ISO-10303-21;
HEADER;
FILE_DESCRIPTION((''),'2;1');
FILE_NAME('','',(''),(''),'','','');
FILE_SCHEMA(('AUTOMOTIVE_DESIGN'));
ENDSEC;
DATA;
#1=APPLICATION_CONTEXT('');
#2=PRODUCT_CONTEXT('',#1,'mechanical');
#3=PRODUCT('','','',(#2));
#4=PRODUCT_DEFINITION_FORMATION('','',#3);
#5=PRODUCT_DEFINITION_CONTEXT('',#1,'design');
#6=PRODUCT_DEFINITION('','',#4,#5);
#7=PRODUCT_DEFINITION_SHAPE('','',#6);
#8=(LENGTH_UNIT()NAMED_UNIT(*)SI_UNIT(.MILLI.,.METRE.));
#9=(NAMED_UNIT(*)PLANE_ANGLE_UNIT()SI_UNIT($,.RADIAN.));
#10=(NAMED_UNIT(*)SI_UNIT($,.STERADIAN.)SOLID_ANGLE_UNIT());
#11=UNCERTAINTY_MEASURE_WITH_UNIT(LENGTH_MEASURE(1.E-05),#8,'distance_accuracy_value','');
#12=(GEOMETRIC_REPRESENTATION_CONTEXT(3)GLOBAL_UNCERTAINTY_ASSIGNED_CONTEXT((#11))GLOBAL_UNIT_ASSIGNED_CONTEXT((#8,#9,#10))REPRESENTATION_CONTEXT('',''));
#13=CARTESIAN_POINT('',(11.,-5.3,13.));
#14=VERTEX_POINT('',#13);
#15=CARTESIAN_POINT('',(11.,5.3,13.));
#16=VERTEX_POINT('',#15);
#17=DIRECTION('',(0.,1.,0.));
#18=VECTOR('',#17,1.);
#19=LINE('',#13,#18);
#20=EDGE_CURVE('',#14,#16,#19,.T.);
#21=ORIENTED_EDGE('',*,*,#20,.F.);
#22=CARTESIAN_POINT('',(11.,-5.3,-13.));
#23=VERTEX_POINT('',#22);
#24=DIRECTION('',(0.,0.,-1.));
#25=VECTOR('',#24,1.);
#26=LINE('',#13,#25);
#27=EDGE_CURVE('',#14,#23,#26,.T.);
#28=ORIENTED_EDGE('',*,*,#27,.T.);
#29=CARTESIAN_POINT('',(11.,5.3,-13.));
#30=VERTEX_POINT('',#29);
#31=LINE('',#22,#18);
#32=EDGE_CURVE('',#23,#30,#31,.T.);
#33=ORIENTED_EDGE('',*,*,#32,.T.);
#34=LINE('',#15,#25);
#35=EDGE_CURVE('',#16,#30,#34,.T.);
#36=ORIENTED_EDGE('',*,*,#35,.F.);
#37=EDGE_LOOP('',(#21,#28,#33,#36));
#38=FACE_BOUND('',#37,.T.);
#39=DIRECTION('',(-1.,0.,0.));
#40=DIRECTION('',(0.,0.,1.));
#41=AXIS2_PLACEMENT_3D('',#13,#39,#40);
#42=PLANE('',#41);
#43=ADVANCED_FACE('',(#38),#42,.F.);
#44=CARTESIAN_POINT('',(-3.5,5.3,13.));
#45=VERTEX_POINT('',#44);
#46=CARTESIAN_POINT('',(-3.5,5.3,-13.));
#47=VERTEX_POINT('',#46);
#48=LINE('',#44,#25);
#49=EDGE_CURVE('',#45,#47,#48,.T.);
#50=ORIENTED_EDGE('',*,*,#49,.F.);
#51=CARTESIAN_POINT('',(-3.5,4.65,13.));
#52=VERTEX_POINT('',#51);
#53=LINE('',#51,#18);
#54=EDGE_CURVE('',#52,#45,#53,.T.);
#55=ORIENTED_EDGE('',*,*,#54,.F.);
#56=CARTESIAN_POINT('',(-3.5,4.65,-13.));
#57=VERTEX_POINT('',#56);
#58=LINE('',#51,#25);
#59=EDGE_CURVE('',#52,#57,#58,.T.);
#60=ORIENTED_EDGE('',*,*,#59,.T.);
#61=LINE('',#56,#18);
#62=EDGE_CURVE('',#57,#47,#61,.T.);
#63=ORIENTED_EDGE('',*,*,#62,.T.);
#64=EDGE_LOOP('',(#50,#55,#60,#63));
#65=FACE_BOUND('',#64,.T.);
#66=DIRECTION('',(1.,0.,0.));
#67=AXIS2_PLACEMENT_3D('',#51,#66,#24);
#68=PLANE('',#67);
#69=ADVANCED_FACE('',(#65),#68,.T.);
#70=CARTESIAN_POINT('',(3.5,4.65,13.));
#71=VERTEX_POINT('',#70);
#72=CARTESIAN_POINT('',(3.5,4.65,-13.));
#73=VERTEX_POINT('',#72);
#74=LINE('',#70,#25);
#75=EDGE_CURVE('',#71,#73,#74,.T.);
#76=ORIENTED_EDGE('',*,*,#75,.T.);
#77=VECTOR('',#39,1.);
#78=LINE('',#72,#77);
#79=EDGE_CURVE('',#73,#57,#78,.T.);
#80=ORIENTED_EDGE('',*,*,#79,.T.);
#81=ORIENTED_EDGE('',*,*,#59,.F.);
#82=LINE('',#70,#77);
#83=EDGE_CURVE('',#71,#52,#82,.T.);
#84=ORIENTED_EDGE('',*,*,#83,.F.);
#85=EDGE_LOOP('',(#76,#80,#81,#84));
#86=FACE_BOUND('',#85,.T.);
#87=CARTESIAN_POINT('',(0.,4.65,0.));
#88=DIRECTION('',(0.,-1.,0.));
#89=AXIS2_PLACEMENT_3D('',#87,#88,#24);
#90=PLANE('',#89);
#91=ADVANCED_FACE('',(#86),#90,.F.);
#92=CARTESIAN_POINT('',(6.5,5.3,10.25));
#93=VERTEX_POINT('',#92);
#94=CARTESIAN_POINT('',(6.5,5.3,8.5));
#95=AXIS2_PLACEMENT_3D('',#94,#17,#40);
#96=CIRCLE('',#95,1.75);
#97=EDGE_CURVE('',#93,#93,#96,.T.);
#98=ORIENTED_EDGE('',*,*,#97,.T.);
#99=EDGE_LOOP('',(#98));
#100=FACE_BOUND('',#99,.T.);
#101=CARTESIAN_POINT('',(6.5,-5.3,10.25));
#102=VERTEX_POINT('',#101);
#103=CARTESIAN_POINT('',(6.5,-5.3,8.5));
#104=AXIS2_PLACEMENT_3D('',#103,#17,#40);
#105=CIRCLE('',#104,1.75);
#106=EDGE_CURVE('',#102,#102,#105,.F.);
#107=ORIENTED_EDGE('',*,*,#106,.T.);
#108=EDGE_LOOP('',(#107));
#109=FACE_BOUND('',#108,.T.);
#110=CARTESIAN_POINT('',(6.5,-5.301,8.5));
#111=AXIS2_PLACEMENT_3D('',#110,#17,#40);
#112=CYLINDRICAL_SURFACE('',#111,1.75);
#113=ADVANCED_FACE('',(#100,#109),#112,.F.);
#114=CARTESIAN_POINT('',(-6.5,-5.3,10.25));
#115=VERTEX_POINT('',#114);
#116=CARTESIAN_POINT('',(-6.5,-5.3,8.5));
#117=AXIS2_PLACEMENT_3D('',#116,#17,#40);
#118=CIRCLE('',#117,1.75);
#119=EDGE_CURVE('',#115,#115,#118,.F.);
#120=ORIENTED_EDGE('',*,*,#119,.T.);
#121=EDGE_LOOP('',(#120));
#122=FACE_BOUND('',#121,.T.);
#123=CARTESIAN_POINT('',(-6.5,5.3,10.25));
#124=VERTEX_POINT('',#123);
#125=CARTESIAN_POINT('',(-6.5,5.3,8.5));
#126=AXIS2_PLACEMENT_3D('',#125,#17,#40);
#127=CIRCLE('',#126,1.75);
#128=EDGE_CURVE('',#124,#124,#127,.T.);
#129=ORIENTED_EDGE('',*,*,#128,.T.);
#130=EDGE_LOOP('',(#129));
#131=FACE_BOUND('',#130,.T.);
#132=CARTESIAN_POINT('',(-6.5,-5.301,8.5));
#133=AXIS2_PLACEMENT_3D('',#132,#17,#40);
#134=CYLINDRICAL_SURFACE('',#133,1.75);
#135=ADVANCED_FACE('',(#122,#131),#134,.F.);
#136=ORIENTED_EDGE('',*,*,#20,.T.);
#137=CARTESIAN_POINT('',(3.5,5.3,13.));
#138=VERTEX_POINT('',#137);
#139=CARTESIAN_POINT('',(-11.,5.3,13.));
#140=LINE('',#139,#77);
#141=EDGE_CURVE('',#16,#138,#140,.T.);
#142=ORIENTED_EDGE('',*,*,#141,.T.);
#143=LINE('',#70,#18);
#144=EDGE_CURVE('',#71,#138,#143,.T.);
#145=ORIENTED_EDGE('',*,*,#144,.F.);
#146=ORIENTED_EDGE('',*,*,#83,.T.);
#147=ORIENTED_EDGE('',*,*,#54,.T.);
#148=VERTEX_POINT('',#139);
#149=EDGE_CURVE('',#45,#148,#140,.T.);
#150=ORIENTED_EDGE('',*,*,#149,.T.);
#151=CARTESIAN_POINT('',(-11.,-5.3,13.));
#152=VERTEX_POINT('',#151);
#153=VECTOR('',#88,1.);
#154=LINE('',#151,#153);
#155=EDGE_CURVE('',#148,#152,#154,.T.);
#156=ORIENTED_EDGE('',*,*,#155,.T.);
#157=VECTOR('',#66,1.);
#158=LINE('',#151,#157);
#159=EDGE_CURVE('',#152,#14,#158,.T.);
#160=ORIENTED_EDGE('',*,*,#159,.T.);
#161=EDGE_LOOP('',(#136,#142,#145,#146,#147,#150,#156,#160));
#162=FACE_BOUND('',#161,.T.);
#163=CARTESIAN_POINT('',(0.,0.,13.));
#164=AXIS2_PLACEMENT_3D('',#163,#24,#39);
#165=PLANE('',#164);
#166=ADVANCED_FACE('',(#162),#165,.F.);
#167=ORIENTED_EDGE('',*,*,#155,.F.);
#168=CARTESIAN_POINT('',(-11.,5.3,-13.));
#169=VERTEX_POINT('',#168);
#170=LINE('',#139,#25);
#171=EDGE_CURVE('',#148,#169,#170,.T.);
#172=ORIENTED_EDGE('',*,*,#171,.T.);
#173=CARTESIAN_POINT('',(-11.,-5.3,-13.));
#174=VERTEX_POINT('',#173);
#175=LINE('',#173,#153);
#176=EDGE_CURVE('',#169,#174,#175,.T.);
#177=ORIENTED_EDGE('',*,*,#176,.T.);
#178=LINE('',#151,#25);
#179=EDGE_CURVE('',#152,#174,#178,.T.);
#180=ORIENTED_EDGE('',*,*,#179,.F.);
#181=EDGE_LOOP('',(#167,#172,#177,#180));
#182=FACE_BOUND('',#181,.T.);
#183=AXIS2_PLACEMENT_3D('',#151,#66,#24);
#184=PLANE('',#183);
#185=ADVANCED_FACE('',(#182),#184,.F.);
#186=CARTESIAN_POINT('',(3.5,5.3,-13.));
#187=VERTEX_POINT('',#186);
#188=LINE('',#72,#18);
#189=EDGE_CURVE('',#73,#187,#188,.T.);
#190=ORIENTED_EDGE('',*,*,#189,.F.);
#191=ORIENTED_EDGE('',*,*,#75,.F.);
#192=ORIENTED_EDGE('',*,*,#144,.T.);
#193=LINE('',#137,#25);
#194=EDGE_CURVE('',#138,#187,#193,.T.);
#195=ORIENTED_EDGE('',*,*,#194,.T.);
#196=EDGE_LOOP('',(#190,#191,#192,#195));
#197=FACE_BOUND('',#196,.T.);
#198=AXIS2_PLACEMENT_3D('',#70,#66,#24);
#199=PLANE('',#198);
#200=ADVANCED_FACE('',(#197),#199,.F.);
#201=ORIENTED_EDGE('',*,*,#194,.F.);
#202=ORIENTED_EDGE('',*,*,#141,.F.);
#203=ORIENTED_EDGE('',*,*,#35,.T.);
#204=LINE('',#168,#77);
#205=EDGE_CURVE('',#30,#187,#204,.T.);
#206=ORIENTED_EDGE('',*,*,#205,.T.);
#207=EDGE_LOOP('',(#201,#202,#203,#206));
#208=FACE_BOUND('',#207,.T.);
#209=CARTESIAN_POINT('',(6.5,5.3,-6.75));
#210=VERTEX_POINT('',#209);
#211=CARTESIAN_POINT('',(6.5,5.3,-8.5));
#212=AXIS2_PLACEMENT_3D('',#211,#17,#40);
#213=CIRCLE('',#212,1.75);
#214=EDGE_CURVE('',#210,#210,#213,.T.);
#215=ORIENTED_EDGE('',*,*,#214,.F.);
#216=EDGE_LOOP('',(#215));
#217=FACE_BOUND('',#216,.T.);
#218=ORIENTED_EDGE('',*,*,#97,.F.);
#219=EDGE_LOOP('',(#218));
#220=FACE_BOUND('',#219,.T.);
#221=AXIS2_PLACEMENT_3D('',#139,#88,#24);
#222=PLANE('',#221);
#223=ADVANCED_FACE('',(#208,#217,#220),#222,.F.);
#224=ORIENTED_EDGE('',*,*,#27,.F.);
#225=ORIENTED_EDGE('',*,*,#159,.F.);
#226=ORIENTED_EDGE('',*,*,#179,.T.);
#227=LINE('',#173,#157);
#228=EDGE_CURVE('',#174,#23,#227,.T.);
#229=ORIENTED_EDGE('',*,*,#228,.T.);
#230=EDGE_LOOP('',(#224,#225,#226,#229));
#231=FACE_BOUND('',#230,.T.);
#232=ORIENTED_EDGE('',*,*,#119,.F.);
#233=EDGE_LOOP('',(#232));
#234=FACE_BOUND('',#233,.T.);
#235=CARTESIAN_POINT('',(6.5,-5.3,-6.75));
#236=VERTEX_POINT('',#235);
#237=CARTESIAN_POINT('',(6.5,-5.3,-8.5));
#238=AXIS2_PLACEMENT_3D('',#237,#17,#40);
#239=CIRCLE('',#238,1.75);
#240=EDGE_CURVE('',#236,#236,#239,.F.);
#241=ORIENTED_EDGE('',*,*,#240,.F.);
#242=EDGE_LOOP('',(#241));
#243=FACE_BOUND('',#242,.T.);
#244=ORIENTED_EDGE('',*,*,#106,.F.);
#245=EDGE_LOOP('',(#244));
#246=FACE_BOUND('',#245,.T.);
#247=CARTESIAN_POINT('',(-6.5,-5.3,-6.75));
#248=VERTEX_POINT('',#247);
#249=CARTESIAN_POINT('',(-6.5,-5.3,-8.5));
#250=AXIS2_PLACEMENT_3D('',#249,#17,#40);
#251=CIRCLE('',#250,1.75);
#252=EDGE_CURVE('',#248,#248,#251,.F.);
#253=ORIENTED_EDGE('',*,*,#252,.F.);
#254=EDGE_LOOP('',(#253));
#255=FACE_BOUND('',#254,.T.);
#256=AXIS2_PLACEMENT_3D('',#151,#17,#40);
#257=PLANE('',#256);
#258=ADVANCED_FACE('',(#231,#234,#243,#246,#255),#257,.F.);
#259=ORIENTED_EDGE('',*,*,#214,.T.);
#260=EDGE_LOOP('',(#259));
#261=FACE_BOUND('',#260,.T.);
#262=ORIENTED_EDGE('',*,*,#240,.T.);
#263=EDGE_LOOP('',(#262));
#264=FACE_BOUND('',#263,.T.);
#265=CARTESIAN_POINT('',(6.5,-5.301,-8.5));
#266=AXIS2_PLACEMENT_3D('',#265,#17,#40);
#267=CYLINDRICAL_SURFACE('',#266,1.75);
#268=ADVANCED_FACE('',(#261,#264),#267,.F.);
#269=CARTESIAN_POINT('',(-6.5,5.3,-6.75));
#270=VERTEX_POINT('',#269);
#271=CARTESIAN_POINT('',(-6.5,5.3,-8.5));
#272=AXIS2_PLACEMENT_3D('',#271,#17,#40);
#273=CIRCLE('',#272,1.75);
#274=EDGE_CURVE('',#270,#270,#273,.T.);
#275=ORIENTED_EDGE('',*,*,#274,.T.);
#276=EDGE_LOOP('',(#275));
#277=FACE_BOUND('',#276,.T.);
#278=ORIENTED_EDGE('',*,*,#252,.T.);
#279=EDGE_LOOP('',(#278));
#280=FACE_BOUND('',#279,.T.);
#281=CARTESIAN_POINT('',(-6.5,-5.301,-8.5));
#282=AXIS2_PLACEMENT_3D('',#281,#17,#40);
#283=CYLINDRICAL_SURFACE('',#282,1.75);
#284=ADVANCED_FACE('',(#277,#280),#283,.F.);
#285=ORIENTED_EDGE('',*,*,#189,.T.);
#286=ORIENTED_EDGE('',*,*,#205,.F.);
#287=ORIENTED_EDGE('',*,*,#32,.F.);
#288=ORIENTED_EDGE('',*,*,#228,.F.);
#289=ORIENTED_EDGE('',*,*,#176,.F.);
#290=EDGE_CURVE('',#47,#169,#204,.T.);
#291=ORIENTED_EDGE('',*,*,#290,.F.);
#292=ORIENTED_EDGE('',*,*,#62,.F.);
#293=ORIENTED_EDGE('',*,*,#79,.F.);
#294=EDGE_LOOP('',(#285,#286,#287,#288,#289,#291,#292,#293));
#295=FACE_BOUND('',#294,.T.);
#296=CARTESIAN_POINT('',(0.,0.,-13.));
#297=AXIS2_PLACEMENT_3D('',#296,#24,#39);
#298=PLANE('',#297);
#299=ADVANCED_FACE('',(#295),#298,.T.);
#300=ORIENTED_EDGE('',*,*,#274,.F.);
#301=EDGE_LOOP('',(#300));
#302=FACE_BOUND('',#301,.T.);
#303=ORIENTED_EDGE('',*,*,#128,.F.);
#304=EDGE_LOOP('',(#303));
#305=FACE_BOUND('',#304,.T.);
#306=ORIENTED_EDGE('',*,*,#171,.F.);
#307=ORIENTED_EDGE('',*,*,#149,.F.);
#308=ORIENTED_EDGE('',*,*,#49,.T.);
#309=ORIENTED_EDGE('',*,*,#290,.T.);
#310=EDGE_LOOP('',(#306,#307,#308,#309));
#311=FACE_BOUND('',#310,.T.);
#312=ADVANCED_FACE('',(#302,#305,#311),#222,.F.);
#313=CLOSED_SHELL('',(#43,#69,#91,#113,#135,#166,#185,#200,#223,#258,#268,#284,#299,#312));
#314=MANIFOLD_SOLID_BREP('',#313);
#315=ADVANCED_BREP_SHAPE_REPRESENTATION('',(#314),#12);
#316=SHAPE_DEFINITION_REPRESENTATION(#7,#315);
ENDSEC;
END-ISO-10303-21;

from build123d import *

# Parameters (mm, degrees)
SCHIZZO1_W                   = 22
SCHIZZO1_H                   = 10.6
ESTRUSIONE_ESTRUSIONE1_DEPTH = 13
TAGLIO_ESTRUSIONE3_REACH     = 22.059
SCHIZZO5_R                   = 1.75
SCHIZZO5_3_W                 = 7
SCHIZZO5_3_H                 = 26
TAGLIO_ESTRUSIONE4_DEPTH     = 0.65


with BuildPart() as part:
    # Schizzo1 → Estrusione-Estrusione1 (new, symmetric)
    with BuildSketch(Plane.XY):
        Rectangle(SCHIZZO1_W, SCHIZZO1_H)
    extrude(amount=ESTRUSIONE_ESTRUSIONE1_DEPTH, both=True)

    # Schizzo5 → Taglio-Estrusione3 (cut, up to next)
    with BuildSketch(Plane(origin=(0, 5.3, 0), x_dir=(1, 0, 0), z_dir=(0, 1, 0)), mode=Mode.PRIVATE) as taglio_estrusione3_sk1:
        with Locations((6.5, 8.5)):
            Circle(SCHIZZO5_R)
    taglio_estrusione3_tool1 = extrude(taglio_estrusione3_sk1.sketch, amount=-TAGLIO_ESTRUSIONE3_REACH, mode=Mode.PRIVATE) & part.part
    # Schizzo5 → Taglio-Estrusione3 (cut, up to next)
    with BuildSketch(Plane(origin=(0, 5.3, 0), x_dir=(1, 0, 0), z_dir=(0, 1, 0)), mode=Mode.PRIVATE) as taglio_estrusione3_sk2:
        with Locations((6.5, -8.5)):
            Circle(SCHIZZO5_R)
    taglio_estrusione3_tool2 = extrude(taglio_estrusione3_sk2.sketch, amount=-TAGLIO_ESTRUSIONE3_REACH, mode=Mode.PRIVATE) & part.part
    # Schizzo5 → Taglio-Estrusione3 (cut, up to next)
    with BuildSketch(Plane(origin=(0, 5.3, 0), x_dir=(1, 0, 0), z_dir=(0, 1, 0)), mode=Mode.PRIVATE) as taglio_estrusione3_sk3:
        with Locations((-6.5, -8.5)):
            Circle(SCHIZZO5_R)
    taglio_estrusione3_tool3 = extrude(taglio_estrusione3_sk3.sketch, amount=-TAGLIO_ESTRUSIONE3_REACH, mode=Mode.PRIVATE) & part.part
    # Schizzo5 → Taglio-Estrusione3 (cut, up to next)
    with BuildSketch(Plane(origin=(0, 5.3, 0), x_dir=(1, 0, 0), z_dir=(0, 1, 0)), mode=Mode.PRIVATE) as taglio_estrusione3_sk4:
        with Locations((-6.5, 8.5)):
            Circle(SCHIZZO5_R)
    taglio_estrusione3_tool4 = extrude(taglio_estrusione3_sk4.sketch, amount=-TAGLIO_ESTRUSIONE3_REACH, mode=Mode.PRIVATE) & part.part
    add(taglio_estrusione3_tool1.solids().sort_by_distance((6.5, 5.3, -8.5))[0], mode=Mode.SUBTRACT)
    add(taglio_estrusione3_tool2.solids().sort_by_distance((6.5, 5.3, 8.5))[0], mode=Mode.SUBTRACT)
    add(taglio_estrusione3_tool3.solids().sort_by_distance((-6.5, 5.3, 8.5))[0], mode=Mode.SUBTRACT)
    add(taglio_estrusione3_tool4.solids().sort_by_distance((-6.5, 5.3, -8.5))[0], mode=Mode.SUBTRACT)

    # Schizzo5<3> → Taglio-Estrusione4 (cut)
    with BuildSketch(Plane(origin=(0, 5.3, 0), x_dir=(1, 0, 0), z_dir=(0, 1, 0))):
        Rectangle(SCHIZZO5_3_W, SCHIZZO5_3_H)
    extrude(amount=-TAGLIO_ESTRUSIONE4_DEPTH, mode=Mode.SUBTRACT)


solid = part.part
